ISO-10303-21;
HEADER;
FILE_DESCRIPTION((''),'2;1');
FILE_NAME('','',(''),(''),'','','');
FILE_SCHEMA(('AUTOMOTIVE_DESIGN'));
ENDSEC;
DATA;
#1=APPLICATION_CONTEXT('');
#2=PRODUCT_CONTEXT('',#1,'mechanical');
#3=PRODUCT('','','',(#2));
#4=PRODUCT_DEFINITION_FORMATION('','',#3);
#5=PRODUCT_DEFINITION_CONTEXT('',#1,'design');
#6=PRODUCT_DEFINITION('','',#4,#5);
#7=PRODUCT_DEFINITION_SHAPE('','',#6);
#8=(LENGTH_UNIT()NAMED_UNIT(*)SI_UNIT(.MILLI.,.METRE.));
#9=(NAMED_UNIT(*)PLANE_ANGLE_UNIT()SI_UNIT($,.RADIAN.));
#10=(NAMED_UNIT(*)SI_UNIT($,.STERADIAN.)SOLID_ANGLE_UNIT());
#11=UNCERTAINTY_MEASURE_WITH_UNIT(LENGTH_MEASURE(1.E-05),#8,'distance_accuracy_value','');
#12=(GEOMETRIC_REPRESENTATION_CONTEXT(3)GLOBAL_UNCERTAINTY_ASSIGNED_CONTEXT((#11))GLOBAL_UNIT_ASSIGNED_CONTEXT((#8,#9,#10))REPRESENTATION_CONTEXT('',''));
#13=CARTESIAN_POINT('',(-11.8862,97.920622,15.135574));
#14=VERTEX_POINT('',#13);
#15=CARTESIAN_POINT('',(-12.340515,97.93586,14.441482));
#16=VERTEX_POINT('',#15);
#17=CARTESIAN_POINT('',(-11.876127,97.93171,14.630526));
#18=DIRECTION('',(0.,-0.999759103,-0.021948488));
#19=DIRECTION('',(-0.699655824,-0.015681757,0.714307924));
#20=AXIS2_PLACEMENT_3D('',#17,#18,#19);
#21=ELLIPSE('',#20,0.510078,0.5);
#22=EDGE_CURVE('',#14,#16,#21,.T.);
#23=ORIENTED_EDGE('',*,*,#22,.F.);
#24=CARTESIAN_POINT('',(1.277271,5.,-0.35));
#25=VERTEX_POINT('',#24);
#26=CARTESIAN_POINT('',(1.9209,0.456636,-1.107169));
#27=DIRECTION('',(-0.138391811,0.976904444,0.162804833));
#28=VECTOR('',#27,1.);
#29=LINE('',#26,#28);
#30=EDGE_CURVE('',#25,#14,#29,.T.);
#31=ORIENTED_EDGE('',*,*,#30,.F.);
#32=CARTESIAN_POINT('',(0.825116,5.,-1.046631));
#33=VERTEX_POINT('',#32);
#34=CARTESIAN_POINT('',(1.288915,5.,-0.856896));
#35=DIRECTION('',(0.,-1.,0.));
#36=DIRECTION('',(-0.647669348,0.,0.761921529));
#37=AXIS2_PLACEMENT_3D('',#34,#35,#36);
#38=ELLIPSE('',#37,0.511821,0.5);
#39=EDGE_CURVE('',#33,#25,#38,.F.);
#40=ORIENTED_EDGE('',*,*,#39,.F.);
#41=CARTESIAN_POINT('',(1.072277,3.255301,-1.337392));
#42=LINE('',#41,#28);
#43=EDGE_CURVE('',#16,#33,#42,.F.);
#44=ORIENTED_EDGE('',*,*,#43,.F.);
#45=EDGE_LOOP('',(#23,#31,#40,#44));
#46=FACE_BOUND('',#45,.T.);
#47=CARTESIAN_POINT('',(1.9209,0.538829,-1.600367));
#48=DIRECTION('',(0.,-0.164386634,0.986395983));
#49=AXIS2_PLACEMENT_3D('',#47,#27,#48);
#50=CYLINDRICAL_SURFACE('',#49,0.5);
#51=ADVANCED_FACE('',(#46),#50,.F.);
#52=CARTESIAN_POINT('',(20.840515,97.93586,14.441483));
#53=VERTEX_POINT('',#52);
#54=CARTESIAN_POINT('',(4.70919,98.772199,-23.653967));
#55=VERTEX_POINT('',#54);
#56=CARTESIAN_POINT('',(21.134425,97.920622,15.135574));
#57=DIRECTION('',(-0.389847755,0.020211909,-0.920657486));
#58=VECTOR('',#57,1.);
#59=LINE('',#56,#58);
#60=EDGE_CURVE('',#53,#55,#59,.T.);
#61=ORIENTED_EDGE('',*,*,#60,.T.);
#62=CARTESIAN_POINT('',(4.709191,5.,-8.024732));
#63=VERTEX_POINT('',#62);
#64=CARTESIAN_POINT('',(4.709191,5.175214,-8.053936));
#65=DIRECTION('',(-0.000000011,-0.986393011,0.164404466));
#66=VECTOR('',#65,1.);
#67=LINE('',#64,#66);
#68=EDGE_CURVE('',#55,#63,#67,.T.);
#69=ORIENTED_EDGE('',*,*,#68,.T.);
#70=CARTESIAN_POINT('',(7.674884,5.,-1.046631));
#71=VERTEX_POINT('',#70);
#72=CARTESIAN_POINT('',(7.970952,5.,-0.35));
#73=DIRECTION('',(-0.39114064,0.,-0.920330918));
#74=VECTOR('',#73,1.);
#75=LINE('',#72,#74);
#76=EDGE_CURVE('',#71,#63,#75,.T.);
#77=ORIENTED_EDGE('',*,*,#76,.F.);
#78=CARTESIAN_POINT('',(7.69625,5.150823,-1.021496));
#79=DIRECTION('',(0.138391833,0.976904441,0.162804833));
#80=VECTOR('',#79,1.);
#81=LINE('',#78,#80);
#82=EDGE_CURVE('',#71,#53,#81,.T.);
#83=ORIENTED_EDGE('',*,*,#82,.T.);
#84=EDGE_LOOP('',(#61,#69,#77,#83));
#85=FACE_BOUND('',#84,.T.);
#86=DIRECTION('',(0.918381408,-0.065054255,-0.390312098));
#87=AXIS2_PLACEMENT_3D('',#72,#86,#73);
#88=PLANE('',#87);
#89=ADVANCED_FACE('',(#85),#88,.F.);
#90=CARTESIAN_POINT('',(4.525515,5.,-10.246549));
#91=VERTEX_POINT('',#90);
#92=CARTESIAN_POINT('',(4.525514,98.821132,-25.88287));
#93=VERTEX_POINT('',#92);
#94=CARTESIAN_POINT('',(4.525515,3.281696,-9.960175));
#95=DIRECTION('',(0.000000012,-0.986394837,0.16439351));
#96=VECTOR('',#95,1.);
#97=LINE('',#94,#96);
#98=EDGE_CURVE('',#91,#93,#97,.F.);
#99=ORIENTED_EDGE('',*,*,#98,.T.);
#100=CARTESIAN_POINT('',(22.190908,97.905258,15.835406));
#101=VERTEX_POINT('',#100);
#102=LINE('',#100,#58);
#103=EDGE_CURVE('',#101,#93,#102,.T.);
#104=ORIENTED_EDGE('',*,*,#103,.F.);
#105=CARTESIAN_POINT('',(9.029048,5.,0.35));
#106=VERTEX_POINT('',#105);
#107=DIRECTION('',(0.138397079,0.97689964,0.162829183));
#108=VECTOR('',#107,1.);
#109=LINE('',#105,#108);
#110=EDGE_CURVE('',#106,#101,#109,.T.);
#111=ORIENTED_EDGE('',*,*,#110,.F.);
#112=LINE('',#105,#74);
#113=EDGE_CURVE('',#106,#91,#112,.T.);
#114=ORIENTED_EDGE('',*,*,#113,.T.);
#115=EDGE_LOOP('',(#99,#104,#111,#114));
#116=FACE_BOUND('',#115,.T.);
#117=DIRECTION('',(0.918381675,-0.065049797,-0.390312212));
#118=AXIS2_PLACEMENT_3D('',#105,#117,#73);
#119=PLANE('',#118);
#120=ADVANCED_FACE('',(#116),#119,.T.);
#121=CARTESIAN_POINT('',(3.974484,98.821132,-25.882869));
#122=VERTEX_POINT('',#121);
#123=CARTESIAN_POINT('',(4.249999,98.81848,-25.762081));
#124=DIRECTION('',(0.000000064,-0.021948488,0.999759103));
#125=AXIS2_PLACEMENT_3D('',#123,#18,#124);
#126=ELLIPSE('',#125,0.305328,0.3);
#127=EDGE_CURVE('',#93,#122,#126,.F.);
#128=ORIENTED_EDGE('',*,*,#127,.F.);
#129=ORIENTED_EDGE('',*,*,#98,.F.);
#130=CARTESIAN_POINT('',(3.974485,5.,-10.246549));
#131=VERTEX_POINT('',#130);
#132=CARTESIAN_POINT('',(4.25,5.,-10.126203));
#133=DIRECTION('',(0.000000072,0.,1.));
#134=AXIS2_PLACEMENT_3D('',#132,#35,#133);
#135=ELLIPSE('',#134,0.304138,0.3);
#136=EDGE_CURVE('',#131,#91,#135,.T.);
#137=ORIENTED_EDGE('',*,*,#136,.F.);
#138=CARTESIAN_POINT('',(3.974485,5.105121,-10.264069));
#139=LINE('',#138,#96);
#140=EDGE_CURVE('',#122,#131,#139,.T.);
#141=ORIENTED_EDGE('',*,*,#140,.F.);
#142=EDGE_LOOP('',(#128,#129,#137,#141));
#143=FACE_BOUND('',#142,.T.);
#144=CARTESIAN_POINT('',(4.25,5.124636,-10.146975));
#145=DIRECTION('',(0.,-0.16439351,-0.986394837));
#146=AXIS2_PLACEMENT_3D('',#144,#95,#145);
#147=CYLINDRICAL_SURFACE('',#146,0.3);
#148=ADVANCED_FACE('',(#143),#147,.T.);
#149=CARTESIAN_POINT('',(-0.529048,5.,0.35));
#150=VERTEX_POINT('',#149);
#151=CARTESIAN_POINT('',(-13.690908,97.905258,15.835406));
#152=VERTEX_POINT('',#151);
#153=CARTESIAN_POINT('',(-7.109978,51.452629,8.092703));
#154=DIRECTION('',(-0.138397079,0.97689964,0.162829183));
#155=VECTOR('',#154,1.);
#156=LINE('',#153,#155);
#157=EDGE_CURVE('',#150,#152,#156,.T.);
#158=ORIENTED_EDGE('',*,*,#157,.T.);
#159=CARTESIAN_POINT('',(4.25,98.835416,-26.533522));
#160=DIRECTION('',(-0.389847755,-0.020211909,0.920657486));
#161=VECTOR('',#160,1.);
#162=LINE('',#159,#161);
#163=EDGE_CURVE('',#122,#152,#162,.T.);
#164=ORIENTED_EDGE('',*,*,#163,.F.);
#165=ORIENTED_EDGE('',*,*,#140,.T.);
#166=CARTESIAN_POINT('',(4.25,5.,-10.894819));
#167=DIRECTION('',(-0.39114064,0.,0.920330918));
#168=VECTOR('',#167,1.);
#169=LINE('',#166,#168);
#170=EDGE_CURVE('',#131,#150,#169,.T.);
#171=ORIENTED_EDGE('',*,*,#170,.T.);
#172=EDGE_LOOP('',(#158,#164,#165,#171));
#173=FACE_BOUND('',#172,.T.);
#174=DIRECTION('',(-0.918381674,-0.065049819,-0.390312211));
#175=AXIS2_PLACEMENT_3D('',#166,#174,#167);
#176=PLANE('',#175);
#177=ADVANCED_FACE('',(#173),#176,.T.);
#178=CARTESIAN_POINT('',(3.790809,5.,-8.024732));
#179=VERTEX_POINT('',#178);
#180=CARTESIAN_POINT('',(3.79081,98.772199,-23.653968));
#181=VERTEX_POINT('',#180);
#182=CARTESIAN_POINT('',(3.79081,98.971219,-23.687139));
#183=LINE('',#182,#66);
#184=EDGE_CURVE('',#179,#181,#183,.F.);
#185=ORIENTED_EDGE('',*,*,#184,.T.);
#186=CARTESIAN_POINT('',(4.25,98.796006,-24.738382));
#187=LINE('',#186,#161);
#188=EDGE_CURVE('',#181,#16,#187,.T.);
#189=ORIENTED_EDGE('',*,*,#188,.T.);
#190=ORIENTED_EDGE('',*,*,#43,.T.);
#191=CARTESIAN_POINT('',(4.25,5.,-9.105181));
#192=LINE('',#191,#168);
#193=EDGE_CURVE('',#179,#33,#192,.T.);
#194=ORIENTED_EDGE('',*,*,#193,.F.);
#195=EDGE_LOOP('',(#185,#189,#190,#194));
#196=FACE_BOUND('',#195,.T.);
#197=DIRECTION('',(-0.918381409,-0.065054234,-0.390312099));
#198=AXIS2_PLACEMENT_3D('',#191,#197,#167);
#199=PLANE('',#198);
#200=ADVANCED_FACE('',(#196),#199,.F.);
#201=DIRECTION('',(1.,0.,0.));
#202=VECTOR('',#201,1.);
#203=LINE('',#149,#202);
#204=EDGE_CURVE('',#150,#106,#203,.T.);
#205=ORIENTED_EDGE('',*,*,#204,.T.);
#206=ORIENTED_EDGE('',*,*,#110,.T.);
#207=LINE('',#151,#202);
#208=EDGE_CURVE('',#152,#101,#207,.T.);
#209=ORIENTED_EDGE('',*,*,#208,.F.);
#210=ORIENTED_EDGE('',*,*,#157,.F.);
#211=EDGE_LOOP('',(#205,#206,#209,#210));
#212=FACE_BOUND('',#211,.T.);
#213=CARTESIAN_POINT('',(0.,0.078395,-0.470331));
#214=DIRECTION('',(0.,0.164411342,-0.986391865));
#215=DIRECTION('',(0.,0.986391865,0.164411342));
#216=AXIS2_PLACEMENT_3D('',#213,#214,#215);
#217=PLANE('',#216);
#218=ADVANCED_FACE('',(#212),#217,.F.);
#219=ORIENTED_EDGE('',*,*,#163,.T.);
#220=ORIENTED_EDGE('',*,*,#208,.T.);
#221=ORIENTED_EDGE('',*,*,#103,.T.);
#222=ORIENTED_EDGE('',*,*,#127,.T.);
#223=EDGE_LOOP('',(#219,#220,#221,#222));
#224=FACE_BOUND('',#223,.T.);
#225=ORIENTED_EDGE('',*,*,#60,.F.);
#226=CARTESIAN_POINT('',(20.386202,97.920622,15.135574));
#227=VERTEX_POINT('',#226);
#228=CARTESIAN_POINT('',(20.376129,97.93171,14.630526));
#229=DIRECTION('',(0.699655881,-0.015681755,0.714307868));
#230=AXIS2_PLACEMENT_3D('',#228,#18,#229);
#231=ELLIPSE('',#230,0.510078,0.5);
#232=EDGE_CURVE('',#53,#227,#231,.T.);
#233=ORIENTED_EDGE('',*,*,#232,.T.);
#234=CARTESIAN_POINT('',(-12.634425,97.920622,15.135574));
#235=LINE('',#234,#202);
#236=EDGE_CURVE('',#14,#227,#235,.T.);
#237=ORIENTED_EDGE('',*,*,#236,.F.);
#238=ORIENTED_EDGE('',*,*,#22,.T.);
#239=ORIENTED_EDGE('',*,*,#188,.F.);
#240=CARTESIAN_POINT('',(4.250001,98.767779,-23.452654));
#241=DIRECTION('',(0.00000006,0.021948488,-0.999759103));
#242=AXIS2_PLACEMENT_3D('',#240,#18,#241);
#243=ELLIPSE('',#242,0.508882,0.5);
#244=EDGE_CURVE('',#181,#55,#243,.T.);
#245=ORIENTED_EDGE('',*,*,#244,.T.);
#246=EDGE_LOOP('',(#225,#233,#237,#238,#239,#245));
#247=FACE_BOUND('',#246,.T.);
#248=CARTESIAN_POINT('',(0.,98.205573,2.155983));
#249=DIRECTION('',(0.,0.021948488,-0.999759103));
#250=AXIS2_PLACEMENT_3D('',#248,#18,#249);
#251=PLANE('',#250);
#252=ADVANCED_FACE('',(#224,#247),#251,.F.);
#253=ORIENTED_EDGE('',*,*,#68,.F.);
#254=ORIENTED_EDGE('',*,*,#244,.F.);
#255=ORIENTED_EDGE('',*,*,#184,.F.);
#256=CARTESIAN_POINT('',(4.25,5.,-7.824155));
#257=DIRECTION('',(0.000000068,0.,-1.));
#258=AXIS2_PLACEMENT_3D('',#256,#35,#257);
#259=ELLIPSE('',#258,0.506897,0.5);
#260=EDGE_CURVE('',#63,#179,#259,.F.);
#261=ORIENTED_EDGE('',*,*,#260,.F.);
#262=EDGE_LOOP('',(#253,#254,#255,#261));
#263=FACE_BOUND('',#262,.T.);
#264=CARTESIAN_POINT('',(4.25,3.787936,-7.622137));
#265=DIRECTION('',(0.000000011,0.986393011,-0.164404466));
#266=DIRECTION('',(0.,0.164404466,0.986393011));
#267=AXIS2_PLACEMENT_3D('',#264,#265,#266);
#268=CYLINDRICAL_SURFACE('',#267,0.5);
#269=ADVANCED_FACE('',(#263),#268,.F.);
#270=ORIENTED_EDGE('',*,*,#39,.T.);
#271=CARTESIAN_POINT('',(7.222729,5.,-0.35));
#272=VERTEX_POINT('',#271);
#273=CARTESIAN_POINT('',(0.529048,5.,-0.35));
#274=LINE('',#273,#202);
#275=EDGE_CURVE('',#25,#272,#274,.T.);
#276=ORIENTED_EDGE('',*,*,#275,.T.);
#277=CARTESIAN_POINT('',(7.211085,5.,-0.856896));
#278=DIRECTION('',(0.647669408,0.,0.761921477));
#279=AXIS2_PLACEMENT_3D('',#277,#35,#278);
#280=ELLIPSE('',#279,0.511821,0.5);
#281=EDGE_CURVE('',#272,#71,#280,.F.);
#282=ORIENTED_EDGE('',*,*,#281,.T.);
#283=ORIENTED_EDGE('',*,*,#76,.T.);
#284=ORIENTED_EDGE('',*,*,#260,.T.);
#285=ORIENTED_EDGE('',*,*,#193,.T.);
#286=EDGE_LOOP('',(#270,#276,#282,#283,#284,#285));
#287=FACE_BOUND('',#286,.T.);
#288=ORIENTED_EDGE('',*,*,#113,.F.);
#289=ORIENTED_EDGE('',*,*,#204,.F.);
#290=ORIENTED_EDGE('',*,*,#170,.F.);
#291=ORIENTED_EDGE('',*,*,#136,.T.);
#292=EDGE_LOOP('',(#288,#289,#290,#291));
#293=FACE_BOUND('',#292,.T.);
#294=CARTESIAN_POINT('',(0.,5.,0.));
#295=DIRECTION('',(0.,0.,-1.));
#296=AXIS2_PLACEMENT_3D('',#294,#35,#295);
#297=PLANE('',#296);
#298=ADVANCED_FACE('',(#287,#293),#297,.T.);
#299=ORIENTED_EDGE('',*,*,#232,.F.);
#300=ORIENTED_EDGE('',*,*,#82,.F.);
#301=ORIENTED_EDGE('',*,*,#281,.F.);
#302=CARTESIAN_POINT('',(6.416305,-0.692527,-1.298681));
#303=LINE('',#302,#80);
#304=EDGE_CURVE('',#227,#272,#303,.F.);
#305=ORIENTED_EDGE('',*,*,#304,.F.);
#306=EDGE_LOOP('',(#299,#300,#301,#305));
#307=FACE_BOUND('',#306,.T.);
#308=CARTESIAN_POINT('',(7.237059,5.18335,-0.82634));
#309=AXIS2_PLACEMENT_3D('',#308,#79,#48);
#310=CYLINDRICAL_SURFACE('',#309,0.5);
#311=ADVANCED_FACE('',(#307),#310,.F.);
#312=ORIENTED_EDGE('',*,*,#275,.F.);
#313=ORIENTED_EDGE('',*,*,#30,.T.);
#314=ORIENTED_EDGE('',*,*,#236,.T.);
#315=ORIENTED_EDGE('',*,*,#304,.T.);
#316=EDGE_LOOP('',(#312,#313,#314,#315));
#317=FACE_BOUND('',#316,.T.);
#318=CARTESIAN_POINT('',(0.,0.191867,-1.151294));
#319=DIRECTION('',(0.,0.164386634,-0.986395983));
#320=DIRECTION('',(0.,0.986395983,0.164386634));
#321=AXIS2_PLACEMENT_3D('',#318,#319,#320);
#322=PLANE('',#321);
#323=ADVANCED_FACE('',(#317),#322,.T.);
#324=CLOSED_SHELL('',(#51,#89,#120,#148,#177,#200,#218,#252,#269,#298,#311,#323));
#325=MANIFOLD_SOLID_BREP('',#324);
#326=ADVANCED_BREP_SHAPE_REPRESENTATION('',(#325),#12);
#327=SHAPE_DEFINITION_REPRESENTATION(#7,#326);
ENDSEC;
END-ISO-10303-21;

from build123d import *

# Parameters (mm, degrees)
FILLET1_R = 0.5
FILLET3_R = 0.3


with BuildPart() as part:
    # Sketch3 → Loft1 section 0
    with BuildSketch(Plane(origin=(0, 5, 0), x_dir=(1, 0, 0), z_dir=(0, 1, 0))):
        Polygon((4.25, 10.894818804), (-0.529047992, -0.35), (9.029047992, -0.35), align=None)
    # Sketch4 → Loft1 section 1
    with BuildSketch(Plane(origin=(0, 98.205572967, 2.155983202), x_dir=(-0.999633121, -0.000594485, 0.027078956), z_dir=(0, -0.999759103, -0.021948488))):
        Polygon((-5.025697058, 28.570776588), (14.056488149, -13.306873869), (-21.81216364, -14.278750127), align=None)
    loft()

    # Sketch3<411> → Cut-Loft1 section 0
    with BuildSketch(Plane(origin=(0, 5, 0), x_dir=(1, 0, 0), z_dir=(0, 1, 0))):
        Polygon((4.25, 9.105181196), (0.529047992, 0.35), (7.970952008, 0.35), align=None)
    # Sketch4<174> → Cut-Loft1 section 1
    with BuildSketch(Plane(origin=(0, 98.205572967, 2.155983202), x_dir=(-0.999633121, -0.000594485, 0.027078956), z_dir=(0, -0.999759103, -0.021948488))):
        Polygon((-4.977063106, 26.775862609), (12.981432828, -12.635746037), (-20.775027993, -13.550391589), align=None)
    loft(mode=Mode.SUBTRACT)

    # Fillet1
    fillet1_edges = [part.edges().sort_by_distance(p)[0] for p in [
        (-6.05268848, 51.460310962, 7.392787153),
        (14.55268848, 51.460310962, 7.392787153),
        (4.25, 51.898002922, -16.921781459),
    ]]
    fillet(fillet1_edges, radius=FILLET1_R)

    # Fillet3
    fillet3_edges = [part.edges().sort_by_distance(p)[0] for p in [
        (4.25, 51.917707976, -18.714170357),
    ]]
    fillet(fillet3_edges, radius=FILLET3_R)


solid = part.part
